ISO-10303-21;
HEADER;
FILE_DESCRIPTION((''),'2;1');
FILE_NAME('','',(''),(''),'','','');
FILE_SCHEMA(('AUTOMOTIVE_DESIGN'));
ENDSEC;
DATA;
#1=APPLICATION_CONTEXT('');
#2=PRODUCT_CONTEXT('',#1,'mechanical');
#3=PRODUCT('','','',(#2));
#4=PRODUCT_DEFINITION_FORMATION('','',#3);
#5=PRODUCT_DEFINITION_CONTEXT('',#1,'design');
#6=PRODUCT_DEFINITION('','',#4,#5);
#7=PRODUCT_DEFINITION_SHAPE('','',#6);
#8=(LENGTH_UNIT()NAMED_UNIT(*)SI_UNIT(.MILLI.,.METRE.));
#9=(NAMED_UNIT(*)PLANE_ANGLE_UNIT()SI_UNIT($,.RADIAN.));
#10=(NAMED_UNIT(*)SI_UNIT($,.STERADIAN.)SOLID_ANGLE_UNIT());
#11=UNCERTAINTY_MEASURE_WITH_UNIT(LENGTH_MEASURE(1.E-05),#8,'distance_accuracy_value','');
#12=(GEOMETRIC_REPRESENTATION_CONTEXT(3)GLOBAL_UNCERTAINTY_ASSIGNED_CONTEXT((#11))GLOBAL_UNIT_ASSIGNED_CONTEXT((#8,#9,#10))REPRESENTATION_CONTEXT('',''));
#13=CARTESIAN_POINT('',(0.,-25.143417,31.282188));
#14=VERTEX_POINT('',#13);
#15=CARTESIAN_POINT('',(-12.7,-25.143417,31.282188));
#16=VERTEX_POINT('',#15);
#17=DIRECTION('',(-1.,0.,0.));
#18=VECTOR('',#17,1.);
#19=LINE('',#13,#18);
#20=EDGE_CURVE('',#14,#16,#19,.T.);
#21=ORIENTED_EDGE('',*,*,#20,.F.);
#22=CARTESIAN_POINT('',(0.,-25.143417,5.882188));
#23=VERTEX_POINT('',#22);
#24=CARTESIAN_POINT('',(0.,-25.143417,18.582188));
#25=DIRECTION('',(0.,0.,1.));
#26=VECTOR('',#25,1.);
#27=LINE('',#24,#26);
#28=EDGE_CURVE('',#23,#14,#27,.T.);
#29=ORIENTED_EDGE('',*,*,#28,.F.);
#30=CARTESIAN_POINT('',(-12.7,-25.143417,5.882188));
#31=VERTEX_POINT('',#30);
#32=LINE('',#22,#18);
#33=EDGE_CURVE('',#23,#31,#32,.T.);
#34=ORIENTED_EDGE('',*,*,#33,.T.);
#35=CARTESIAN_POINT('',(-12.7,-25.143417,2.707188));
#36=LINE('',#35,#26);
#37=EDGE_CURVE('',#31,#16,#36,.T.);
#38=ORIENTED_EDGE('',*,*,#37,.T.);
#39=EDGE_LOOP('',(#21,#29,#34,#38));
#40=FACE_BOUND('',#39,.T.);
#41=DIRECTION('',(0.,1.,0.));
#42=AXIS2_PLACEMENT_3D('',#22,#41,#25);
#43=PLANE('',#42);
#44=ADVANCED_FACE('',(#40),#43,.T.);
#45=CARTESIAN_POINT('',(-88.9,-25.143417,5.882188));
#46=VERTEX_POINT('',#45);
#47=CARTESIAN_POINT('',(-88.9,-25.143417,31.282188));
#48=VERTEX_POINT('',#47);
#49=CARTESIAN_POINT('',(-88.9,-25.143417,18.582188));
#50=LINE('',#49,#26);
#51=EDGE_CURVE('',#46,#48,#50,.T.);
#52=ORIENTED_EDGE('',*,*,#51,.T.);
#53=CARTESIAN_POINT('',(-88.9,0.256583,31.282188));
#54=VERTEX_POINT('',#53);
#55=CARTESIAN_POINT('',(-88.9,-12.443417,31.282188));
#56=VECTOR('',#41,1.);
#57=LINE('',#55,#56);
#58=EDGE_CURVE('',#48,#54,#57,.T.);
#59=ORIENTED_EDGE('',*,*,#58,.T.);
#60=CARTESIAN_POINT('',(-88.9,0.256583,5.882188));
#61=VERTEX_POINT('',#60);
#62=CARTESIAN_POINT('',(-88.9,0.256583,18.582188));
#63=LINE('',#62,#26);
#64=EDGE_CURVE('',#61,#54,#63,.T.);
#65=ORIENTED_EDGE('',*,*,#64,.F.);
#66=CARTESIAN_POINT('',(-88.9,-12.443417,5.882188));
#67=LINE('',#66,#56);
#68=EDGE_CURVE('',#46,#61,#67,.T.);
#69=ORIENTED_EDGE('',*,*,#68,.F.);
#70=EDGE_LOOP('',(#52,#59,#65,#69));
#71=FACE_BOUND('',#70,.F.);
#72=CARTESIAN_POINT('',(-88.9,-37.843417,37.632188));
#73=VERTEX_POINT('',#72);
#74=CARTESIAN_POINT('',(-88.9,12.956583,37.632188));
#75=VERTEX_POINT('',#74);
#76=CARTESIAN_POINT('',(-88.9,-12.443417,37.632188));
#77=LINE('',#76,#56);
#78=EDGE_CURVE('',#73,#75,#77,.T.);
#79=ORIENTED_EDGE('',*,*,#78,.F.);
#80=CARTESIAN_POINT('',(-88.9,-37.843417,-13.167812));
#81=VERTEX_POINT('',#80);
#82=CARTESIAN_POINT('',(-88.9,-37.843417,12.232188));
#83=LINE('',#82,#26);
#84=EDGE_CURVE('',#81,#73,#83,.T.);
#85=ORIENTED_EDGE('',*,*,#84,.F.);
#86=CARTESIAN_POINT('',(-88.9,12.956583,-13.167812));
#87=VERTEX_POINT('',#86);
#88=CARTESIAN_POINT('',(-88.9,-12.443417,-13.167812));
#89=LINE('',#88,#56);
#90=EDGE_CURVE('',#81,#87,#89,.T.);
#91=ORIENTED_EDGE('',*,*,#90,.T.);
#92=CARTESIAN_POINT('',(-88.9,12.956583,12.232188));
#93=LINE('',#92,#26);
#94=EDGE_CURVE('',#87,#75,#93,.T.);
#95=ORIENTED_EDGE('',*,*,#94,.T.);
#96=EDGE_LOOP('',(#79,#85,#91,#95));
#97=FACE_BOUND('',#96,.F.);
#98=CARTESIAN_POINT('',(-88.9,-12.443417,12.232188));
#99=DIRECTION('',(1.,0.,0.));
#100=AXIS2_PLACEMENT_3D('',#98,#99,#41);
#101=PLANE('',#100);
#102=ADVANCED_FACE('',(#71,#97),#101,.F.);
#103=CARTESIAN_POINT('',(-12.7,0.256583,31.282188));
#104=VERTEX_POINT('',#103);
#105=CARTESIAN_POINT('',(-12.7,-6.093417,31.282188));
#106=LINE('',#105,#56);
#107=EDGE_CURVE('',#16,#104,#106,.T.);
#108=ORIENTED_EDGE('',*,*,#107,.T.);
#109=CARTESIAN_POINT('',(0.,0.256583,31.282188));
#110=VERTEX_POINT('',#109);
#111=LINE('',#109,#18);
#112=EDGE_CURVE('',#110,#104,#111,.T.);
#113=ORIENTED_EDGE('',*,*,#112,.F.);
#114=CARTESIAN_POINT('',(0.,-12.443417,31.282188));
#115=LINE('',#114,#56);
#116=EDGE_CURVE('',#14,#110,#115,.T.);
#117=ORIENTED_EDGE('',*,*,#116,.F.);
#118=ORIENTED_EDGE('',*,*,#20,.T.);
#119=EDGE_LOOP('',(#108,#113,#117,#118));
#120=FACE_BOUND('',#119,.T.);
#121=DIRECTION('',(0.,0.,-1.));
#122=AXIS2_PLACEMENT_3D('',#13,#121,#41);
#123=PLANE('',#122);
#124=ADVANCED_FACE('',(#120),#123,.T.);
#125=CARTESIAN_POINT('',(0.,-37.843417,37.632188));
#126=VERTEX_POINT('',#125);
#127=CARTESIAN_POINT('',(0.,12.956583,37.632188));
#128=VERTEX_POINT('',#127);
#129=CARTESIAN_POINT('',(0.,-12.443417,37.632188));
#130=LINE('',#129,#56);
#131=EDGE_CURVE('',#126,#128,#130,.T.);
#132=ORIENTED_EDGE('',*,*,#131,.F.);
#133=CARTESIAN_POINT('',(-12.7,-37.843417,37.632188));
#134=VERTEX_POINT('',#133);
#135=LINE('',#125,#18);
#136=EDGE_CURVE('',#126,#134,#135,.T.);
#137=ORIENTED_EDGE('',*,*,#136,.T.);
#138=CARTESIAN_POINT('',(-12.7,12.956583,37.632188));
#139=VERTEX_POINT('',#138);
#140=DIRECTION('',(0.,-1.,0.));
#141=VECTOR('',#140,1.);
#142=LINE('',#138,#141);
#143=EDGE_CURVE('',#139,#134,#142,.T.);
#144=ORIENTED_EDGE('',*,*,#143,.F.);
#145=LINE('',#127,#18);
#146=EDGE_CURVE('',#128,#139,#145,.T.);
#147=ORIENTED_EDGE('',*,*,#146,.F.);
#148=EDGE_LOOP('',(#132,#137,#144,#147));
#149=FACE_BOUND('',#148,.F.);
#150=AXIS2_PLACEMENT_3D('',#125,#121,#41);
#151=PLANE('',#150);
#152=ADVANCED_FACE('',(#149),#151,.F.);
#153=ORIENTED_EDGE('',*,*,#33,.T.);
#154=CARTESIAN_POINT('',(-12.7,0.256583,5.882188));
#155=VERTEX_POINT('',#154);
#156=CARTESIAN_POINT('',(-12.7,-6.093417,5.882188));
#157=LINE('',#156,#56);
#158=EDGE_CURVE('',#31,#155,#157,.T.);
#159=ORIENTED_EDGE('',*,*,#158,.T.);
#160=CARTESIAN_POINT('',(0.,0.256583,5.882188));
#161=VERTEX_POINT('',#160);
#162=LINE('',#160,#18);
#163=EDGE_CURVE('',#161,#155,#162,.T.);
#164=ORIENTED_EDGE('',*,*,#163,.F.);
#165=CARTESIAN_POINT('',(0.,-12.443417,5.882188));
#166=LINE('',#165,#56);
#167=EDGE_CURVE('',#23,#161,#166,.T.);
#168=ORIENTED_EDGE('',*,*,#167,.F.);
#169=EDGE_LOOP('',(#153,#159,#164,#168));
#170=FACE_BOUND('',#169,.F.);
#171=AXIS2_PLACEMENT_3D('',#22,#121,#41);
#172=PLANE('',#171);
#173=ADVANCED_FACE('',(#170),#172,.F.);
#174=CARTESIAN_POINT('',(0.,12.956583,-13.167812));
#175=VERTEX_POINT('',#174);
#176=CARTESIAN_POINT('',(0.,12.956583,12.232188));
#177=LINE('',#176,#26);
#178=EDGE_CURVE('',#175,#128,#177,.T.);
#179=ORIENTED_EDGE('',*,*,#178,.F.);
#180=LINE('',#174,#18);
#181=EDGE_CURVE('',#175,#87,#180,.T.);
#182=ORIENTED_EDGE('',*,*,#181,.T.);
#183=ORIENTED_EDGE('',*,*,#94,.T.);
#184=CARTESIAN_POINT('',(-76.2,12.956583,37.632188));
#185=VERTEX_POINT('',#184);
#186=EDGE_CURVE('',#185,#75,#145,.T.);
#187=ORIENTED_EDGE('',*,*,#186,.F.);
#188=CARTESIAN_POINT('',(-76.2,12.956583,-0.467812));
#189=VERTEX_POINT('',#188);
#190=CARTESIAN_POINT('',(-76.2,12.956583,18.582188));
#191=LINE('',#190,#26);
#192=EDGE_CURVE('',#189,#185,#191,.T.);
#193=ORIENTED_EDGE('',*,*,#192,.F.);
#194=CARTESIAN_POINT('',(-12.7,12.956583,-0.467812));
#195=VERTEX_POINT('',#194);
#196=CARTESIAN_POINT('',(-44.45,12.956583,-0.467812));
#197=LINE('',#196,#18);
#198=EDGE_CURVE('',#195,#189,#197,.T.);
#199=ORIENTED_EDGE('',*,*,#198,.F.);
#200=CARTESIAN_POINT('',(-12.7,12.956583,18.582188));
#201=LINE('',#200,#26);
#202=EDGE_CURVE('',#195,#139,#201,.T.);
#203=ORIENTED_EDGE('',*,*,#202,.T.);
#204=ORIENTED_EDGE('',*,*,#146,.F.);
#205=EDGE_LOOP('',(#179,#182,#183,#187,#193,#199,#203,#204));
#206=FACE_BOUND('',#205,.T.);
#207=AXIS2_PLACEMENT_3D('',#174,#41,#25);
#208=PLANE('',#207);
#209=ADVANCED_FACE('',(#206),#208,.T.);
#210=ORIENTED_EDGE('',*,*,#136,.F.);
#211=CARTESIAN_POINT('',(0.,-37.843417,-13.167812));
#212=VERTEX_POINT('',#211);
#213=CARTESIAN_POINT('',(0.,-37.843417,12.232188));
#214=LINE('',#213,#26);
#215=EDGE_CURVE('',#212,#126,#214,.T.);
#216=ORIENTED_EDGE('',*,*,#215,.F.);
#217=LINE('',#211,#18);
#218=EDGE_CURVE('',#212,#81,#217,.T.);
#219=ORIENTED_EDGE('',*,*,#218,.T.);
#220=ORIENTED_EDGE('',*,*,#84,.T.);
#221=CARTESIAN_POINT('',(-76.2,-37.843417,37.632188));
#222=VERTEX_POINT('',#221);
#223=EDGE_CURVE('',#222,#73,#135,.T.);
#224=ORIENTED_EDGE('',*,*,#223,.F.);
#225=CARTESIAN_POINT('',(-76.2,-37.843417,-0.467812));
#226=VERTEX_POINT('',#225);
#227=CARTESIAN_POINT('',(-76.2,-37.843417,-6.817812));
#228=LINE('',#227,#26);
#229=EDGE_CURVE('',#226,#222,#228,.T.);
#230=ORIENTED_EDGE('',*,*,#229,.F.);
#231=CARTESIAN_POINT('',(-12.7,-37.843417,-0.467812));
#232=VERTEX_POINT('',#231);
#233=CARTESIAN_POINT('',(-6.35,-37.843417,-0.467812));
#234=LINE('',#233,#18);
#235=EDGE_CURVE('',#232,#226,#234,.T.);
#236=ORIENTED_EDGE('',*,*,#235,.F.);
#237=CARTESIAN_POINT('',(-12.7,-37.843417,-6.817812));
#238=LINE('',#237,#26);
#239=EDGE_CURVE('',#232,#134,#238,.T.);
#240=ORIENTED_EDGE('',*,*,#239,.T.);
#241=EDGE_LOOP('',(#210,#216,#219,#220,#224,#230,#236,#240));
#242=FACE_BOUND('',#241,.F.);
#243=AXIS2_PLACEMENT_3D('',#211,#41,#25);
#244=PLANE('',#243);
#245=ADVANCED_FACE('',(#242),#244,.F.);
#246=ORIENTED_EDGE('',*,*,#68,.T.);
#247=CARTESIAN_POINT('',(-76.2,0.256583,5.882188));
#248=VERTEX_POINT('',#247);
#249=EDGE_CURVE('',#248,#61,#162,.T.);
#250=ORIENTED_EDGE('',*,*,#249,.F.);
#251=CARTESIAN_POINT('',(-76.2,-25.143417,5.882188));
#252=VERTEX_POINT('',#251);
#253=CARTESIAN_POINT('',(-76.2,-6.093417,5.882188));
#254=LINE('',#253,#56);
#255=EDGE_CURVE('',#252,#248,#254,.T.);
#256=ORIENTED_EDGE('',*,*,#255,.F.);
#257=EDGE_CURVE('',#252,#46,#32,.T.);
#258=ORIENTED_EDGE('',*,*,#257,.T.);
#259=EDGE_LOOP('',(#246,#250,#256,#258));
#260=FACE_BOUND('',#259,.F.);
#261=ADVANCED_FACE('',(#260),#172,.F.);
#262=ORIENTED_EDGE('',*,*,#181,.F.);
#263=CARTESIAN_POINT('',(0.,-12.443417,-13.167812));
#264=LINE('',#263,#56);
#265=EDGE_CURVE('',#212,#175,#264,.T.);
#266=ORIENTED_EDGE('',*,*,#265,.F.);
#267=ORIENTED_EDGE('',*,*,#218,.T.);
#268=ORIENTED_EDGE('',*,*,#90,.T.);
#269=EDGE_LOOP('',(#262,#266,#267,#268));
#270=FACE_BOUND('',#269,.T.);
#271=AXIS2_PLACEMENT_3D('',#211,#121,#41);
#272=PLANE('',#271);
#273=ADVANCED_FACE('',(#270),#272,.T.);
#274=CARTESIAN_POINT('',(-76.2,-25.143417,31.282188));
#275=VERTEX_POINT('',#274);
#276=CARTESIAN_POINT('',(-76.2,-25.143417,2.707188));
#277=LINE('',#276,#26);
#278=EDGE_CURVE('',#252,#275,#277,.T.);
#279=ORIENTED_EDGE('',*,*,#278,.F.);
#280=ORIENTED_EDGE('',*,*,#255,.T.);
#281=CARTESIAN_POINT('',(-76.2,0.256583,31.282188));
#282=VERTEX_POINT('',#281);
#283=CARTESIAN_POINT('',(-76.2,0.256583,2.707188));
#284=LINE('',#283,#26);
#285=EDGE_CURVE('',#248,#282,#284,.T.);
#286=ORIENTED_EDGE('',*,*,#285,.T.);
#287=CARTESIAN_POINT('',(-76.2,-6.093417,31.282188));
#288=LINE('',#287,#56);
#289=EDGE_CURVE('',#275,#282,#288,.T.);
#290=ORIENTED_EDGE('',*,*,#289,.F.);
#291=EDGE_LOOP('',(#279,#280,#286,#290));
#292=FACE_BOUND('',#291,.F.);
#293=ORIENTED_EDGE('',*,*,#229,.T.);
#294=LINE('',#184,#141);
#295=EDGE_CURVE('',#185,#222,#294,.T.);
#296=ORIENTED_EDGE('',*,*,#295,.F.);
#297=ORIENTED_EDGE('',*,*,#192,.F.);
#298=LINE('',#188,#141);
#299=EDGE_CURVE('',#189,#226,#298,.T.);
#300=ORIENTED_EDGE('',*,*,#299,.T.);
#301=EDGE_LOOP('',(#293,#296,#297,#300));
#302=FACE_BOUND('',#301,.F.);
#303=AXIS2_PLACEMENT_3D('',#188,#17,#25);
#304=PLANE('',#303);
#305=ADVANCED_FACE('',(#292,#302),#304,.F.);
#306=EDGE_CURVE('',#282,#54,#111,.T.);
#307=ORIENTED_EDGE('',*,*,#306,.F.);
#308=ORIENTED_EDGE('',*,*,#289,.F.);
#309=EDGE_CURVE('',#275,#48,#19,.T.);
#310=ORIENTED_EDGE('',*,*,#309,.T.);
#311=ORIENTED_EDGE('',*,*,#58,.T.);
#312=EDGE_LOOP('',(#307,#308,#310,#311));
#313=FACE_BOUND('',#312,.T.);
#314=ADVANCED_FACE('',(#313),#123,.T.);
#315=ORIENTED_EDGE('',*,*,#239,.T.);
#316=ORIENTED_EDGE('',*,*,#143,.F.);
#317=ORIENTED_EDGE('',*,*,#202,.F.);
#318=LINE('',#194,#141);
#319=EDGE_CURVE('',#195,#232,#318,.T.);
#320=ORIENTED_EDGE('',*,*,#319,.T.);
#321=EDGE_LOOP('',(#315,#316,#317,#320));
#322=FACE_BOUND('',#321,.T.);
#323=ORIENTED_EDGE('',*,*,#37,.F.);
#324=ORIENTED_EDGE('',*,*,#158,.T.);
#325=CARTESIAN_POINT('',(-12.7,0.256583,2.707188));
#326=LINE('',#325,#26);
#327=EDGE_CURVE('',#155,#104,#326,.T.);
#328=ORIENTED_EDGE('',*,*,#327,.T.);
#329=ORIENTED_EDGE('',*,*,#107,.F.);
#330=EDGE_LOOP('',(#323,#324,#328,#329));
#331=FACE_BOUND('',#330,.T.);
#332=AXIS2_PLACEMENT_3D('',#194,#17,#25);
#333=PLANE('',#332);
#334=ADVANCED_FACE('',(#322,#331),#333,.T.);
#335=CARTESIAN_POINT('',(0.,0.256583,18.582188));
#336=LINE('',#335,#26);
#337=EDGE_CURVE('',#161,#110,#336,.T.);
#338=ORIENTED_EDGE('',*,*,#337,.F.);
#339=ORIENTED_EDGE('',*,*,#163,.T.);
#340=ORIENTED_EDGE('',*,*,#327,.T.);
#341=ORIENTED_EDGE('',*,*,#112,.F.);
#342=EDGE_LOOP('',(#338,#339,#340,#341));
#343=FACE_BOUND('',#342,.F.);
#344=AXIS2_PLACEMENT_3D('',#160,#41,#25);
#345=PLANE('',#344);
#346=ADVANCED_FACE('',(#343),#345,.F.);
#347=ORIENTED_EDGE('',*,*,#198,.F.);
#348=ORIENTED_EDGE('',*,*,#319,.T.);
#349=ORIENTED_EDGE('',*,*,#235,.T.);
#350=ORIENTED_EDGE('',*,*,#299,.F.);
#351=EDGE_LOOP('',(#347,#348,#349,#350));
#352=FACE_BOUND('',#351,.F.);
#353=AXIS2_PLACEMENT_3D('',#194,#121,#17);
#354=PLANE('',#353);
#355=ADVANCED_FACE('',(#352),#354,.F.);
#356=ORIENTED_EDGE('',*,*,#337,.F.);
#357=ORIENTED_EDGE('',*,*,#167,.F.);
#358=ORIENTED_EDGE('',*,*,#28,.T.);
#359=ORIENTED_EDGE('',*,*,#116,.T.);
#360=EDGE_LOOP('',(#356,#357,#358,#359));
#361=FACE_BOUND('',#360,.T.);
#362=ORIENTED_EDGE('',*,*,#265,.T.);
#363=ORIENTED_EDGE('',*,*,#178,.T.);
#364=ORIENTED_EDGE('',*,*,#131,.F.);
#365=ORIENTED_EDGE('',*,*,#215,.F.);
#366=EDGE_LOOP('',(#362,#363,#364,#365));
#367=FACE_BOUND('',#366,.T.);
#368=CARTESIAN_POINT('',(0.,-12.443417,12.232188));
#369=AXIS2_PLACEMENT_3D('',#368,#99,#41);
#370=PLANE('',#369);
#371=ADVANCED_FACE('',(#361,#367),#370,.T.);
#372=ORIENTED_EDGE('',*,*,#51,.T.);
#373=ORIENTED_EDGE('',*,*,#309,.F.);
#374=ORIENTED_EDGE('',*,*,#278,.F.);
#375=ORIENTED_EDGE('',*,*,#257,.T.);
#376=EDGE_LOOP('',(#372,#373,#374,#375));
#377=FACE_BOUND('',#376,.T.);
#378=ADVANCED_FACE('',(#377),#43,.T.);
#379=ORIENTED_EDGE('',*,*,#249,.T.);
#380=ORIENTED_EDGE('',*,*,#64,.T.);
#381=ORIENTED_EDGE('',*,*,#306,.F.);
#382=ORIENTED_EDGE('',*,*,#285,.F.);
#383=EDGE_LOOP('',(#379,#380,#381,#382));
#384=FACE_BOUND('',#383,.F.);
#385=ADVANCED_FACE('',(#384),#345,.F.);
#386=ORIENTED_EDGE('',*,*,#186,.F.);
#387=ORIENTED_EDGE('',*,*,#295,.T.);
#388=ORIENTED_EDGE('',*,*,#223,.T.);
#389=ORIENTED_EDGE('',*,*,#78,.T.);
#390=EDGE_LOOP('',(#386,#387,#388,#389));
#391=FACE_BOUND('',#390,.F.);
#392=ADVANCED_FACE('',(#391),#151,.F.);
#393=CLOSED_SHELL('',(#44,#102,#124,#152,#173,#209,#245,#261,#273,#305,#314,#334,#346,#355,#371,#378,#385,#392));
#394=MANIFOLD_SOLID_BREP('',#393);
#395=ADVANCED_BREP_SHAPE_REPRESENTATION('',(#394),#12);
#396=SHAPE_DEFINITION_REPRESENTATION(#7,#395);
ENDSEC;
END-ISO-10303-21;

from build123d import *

# Parameters (mm, degrees)
F0_W     = 50.8
F0_H     = 50.8
F0_W_2   = 25.4
F0_H_2   = 25.4
F1_DEPTH = 88.9
F2_W     = 63.5
F2_H     = 38.1
F3_DEPTH = 152.4


with BuildPart() as f1:
    # F0 (on Right) → F1 (new body)
    with BuildSketch(Plane.YZ):
        with Locations((-12.443417, 12.232188)):
            Rectangle(F0_W, F0_H)
        with Locations((-12.443417, 18.582188)):
            Rectangle(F0_W_2, F0_H_2, mode=Mode.SUBTRACT)
    extrude(amount=-F1_DEPTH)

    # F2 (on face) → F3 (cut)
    with BuildSketch(Plane(origin=(0, 12.956583, 0), x_dir=(-1, 0, 0), z_dir=(0, 1, 0))):
        with Locations((44.45, 18.582188)):
            Rectangle(F2_W, F2_H)
    extrude(amount=-F3_DEPTH, mode=Mode.SUBTRACT)


solid = f1.part
